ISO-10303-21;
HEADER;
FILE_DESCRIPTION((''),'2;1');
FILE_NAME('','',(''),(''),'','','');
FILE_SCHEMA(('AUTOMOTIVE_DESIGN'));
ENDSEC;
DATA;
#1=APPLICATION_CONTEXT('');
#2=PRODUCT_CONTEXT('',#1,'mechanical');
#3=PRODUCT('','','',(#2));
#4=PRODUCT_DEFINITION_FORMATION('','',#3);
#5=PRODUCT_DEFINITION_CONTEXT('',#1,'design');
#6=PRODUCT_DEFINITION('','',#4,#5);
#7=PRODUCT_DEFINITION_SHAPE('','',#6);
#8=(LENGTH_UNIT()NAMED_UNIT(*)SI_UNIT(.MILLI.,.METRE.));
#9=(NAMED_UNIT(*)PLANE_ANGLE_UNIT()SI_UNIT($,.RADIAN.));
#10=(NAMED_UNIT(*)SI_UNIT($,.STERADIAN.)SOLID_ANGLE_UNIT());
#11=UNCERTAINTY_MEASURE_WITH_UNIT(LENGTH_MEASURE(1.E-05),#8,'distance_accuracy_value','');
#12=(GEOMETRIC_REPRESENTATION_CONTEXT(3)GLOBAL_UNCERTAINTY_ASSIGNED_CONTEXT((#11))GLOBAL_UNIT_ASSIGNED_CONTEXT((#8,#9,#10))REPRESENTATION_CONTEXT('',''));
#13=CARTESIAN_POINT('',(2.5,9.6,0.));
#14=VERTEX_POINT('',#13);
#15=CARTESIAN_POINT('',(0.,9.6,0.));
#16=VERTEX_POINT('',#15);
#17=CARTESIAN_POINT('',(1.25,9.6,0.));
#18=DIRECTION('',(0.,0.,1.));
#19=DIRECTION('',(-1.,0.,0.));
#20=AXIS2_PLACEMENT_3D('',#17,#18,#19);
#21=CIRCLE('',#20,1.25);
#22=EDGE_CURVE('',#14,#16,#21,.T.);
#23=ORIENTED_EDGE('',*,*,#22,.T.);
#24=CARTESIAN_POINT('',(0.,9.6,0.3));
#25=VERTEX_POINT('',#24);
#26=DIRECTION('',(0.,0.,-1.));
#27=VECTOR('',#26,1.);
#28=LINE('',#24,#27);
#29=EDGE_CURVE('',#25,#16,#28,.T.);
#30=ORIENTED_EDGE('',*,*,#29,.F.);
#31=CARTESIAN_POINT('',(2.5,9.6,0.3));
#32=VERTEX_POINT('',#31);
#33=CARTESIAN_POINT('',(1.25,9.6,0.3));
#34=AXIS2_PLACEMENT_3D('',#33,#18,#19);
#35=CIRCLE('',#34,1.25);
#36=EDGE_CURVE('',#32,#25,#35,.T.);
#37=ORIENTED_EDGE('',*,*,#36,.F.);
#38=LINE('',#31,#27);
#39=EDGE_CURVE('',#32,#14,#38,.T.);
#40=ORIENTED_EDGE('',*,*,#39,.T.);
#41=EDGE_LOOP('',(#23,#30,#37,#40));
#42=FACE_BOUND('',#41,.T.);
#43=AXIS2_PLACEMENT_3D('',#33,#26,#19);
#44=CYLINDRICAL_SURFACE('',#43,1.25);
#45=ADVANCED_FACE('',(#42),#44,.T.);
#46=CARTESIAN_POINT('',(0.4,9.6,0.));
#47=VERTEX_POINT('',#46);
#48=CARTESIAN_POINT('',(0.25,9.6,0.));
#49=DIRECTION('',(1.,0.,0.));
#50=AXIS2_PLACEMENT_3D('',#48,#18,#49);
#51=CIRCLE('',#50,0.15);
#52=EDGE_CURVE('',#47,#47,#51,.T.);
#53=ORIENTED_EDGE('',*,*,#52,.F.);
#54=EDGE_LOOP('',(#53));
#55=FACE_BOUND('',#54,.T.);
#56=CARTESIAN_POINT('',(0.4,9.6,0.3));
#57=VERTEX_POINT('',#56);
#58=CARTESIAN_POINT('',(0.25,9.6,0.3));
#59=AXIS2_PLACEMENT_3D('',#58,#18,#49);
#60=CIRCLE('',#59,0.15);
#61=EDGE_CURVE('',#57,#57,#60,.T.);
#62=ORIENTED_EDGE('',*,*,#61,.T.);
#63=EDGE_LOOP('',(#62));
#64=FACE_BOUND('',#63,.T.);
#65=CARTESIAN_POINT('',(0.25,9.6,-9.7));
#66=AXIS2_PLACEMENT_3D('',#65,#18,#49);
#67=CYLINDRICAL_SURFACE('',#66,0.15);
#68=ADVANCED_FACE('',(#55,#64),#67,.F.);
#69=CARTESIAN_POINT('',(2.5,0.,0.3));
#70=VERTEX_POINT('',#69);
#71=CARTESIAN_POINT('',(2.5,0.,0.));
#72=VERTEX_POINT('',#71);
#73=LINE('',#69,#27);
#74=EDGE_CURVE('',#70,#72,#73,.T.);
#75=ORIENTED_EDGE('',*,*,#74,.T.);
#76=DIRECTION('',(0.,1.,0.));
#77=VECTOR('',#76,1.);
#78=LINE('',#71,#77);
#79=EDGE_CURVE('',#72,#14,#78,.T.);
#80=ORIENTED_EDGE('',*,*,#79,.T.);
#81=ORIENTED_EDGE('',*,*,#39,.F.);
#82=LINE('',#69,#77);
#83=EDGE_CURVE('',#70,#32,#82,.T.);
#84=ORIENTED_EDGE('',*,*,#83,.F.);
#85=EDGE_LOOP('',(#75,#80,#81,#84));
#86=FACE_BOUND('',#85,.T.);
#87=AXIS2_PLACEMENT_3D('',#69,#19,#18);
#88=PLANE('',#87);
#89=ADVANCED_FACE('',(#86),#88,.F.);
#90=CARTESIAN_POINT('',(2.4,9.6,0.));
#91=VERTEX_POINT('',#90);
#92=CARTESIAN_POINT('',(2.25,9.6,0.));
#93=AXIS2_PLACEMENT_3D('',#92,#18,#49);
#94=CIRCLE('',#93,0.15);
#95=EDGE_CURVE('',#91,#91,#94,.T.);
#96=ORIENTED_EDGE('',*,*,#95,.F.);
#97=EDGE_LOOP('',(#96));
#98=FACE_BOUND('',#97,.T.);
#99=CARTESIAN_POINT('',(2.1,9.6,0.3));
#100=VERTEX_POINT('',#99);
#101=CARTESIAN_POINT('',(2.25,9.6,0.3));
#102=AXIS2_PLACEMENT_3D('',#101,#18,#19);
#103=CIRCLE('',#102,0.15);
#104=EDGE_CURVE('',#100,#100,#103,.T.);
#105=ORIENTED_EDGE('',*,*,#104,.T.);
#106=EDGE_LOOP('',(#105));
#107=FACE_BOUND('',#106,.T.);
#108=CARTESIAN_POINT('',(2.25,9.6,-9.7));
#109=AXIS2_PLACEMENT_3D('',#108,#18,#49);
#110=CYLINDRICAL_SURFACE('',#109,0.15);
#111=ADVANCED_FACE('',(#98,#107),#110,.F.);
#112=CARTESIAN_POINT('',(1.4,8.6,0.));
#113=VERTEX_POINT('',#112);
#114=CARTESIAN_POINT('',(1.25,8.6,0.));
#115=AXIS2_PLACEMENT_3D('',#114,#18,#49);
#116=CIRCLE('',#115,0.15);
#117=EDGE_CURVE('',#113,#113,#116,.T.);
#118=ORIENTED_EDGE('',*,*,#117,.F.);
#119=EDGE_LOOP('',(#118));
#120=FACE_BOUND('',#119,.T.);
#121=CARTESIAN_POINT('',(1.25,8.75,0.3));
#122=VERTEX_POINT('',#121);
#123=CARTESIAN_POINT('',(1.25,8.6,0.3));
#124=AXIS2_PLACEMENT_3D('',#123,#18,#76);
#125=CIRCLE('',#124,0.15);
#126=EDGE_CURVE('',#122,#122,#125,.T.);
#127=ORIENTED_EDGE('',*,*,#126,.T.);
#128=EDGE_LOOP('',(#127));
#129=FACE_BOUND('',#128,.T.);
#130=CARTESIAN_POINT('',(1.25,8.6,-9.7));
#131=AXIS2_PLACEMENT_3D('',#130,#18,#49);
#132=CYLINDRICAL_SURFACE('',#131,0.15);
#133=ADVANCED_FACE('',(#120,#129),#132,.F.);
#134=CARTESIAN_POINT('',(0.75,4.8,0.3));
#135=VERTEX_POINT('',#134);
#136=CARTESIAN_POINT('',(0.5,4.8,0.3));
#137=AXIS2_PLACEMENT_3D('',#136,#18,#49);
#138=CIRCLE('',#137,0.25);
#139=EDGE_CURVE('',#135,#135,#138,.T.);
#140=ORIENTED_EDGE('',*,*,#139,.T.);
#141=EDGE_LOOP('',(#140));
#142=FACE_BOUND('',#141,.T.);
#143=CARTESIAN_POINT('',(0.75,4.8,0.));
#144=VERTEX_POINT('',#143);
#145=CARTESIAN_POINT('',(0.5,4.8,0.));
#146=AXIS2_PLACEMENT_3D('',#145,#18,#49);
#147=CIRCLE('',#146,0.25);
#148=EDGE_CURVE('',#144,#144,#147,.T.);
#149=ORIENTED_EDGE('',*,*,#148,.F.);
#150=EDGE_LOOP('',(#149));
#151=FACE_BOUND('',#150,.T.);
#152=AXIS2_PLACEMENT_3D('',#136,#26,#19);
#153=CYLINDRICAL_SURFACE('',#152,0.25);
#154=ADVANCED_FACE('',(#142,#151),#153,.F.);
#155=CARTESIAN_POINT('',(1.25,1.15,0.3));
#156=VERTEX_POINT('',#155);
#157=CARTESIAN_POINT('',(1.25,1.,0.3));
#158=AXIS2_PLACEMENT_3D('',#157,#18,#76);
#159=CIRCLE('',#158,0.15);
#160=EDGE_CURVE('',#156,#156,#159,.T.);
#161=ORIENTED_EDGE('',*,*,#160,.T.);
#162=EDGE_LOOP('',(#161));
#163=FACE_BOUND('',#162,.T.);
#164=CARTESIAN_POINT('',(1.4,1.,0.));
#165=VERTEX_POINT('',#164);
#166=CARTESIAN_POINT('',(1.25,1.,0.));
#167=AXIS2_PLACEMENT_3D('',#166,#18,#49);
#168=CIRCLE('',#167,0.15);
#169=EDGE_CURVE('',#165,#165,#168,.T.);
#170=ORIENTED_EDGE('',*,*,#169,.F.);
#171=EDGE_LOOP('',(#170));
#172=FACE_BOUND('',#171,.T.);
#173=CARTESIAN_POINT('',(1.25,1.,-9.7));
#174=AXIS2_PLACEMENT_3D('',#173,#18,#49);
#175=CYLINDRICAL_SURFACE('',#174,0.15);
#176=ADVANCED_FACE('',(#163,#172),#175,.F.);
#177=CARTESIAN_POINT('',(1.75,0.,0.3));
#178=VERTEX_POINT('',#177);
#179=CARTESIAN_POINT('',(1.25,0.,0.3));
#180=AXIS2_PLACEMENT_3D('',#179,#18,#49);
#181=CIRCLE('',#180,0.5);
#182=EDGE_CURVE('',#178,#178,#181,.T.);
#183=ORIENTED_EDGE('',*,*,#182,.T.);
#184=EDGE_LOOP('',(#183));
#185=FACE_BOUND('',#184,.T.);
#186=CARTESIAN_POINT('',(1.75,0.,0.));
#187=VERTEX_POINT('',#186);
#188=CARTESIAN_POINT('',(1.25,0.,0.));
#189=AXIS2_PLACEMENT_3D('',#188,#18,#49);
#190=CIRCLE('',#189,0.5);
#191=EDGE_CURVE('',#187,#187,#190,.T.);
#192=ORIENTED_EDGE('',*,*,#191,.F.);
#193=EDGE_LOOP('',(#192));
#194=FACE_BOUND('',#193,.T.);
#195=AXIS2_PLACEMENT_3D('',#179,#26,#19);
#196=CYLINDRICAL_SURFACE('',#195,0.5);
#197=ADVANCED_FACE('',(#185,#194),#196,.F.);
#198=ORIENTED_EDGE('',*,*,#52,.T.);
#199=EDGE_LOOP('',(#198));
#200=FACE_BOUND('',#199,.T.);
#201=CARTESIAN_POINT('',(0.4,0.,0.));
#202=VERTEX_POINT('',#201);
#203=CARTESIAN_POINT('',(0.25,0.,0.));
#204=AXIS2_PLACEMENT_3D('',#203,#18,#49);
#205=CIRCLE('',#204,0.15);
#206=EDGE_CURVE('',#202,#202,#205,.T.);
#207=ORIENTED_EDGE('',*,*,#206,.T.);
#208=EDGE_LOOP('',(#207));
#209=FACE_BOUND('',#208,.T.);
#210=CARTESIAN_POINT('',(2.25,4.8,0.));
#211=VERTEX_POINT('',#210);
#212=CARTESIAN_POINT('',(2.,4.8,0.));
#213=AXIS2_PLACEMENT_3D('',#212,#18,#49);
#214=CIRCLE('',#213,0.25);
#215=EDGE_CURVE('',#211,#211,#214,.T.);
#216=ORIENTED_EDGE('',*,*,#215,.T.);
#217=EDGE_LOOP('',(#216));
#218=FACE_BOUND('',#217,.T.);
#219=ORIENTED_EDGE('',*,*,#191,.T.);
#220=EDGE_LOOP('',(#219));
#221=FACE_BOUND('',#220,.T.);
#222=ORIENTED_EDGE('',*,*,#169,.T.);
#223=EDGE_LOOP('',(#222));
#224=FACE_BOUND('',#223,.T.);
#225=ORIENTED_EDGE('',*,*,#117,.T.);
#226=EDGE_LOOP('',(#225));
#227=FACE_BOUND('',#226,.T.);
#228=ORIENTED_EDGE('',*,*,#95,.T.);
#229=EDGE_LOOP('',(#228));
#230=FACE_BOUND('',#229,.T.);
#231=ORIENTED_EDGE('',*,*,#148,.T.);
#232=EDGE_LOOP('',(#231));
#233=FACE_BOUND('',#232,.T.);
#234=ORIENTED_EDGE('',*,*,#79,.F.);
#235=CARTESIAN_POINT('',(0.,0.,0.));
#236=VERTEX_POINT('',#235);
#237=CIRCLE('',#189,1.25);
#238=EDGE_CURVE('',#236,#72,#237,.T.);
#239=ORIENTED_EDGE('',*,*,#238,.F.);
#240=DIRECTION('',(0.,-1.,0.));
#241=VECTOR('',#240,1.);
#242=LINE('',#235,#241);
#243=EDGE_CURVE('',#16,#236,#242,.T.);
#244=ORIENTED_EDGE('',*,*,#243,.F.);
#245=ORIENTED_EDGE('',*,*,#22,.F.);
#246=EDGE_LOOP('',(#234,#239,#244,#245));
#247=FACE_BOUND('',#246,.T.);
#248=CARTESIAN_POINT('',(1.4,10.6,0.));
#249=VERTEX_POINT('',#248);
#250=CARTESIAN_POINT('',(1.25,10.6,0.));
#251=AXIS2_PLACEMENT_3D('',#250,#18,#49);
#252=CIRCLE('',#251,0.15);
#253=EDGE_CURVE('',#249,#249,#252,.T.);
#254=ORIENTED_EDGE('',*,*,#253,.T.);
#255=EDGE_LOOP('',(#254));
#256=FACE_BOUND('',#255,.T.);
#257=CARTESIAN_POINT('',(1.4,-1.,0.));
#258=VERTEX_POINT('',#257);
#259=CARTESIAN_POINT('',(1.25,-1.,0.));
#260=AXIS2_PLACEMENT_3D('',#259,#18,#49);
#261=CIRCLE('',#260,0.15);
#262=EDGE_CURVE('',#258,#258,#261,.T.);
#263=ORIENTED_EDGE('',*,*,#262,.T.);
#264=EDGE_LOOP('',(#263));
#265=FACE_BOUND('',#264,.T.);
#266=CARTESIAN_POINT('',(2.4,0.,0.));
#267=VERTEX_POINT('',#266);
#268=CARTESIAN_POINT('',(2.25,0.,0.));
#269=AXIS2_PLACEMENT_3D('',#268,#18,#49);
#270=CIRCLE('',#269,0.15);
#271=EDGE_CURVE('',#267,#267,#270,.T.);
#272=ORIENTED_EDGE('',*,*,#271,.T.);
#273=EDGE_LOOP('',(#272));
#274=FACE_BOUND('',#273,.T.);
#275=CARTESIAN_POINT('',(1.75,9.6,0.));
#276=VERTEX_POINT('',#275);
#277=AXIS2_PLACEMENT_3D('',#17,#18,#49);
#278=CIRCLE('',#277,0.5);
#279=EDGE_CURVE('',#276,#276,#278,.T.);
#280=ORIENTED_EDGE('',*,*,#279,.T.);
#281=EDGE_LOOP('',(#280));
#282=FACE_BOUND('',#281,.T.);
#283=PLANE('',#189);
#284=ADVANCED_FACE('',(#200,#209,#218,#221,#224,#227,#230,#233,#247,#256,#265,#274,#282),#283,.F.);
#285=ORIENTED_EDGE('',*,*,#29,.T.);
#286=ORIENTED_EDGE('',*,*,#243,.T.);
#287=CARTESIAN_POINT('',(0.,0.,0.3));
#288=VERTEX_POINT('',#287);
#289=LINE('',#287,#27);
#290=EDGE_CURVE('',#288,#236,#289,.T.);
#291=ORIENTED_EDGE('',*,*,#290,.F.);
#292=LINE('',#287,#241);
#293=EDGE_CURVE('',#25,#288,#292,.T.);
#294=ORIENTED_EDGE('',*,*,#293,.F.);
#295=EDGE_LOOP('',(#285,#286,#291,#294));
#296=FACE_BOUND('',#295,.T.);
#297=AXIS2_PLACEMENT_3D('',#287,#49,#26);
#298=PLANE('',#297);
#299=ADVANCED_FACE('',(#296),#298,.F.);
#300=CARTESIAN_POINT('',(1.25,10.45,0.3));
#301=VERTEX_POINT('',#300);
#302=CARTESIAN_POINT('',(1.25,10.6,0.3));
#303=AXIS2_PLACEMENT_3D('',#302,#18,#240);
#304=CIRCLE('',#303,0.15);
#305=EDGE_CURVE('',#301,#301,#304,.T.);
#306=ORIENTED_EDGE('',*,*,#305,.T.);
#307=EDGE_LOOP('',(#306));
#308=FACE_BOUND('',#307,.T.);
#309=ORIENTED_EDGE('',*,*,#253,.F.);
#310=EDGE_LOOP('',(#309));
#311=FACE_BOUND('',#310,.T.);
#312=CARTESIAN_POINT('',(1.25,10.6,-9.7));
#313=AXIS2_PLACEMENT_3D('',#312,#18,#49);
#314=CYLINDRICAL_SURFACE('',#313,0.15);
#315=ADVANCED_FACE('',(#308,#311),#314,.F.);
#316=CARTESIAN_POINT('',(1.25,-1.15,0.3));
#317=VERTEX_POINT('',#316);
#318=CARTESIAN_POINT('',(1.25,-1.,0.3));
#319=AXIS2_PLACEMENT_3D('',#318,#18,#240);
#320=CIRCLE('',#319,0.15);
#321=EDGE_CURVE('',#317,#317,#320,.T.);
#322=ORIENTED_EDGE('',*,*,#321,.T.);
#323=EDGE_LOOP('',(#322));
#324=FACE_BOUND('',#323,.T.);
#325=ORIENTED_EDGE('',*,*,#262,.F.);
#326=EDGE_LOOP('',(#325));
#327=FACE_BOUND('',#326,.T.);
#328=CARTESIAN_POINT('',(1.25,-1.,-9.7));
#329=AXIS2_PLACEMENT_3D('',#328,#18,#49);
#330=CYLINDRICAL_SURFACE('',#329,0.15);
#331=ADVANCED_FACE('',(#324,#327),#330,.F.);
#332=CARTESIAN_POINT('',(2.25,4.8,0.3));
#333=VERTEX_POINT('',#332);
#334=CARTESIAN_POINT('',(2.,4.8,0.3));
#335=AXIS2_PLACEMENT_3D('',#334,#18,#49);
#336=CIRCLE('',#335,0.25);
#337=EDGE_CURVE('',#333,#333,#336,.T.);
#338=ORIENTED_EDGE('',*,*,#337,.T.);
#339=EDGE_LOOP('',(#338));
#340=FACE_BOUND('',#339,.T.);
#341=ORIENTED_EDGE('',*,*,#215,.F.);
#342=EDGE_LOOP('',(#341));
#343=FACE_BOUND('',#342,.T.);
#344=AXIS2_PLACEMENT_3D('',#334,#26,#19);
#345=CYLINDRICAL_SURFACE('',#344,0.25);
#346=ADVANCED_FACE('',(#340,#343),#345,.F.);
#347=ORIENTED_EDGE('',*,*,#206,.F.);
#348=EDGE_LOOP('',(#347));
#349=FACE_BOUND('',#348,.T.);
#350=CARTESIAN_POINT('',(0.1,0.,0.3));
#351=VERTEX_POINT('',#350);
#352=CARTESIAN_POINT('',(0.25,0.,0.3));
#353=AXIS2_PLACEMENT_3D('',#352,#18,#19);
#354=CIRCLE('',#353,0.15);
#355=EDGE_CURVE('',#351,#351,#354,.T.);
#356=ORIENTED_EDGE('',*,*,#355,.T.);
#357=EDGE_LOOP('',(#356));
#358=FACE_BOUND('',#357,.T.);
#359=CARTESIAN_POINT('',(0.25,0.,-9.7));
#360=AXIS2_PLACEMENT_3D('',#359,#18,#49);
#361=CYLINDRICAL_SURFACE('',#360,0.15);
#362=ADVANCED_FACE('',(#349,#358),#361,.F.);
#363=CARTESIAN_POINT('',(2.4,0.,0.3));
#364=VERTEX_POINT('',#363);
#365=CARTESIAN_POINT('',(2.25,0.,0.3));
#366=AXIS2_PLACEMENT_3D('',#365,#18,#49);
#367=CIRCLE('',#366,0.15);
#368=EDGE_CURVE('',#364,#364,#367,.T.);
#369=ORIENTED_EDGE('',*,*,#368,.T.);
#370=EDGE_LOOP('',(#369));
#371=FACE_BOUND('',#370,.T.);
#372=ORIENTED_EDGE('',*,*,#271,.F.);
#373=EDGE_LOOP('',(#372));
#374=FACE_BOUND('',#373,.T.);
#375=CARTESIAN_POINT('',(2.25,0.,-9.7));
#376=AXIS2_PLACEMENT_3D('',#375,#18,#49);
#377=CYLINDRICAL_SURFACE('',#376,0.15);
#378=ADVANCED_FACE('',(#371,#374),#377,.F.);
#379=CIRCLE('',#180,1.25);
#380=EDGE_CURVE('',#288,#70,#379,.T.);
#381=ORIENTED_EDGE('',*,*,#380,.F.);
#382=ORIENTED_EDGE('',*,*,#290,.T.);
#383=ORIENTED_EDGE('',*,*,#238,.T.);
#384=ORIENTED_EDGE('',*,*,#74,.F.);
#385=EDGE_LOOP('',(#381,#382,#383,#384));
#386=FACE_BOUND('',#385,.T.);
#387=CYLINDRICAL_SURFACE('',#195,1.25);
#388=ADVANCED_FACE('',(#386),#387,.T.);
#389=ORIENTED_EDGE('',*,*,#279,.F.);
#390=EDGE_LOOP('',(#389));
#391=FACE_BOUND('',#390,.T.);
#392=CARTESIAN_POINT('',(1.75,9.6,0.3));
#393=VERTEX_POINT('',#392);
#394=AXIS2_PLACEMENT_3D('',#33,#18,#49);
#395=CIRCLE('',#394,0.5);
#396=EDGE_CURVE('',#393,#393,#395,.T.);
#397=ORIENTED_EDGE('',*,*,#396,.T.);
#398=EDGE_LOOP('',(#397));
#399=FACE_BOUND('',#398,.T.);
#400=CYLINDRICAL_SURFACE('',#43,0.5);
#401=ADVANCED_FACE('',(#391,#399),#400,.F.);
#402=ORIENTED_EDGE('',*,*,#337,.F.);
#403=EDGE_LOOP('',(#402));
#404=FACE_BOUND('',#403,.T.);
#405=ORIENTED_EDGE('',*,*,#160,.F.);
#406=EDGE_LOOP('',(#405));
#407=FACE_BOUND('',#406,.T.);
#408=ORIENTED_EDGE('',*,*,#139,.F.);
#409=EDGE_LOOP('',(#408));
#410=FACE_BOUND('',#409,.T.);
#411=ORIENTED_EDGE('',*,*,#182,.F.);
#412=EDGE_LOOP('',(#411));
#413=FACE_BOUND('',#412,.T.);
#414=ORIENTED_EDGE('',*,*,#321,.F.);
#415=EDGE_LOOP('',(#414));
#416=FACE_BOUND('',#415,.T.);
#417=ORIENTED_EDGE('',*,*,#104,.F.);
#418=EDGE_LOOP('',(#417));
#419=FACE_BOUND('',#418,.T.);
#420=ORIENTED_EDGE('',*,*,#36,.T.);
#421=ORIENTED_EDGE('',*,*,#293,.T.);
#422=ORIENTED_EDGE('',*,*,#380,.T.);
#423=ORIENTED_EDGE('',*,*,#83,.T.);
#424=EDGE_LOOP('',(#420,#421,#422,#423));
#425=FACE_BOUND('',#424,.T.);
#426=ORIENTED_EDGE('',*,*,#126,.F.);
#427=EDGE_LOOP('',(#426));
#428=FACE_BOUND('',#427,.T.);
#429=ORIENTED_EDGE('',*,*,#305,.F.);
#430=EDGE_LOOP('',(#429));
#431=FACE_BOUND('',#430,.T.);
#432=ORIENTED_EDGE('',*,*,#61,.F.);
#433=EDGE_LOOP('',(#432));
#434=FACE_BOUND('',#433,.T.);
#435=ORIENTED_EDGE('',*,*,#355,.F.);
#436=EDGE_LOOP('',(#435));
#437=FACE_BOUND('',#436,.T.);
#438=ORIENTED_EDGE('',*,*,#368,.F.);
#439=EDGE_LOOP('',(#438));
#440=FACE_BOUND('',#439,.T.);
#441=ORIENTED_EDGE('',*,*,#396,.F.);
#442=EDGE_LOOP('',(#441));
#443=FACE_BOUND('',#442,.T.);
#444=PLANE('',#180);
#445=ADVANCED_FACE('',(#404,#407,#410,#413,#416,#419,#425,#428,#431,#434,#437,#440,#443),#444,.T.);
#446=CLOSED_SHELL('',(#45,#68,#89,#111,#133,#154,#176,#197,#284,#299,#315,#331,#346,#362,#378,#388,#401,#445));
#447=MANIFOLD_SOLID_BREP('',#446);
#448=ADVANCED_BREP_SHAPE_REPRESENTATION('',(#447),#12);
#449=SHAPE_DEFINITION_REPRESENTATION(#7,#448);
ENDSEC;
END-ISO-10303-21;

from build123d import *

# Parameters (mm, degrees)
SKETCH1_R           = 0.5
SKETCH1_R_2         = 0.25
BOSS_EXTRUDE2_DEPTH = 0.3
SKETCH2_R           = 0.15
CUT_EXTRUDE1_DEPTH  = 10
CIRPATTERN2_COUNT   = 4
SKETCH3_R           = 0.15
CUT_EXTRUDE2_DEPTH  = 10
CIRPATTERN3_COUNT   = 4


with BuildPart() as part:
    # Sketch1 → Boss-Extrude2 (new body)
    with BuildSketch(Plane.XY):
        with BuildLine():
            Line((0, 0), (0, 9.6))
            ThreePointArc((0, 9.6), (1.25, 10.85), (2.5, 9.6))
            Line((2.5, 9.6), (2.5, 0))
            ThreePointArc((2.5, 0), (1.25, -1.25), (0, 0))
        make_face()
        with Locations((1.25, 9.6)):
            Circle(SKETCH1_R, mode=Mode.SUBTRACT)
        with Locations((1.25, 0)):
            Circle(SKETCH1_R, mode=Mode.SUBTRACT)
        with Locations((0.5, 4.8)):
            Circle(SKETCH1_R_2, mode=Mode.SUBTRACT)
        with Locations((2, 4.8)):
            Circle(SKETCH1_R_2, mode=Mode.SUBTRACT)
    extrude(amount=BOSS_EXTRUDE2_DEPTH)

    # Sketch2 → Cut-Extrude1 (cut)
    with BuildSketch(Plane.XY.offset(0.3)):
        with Locations((0.25, 9.6)):
            Circle(SKETCH2_R)
    cut_extrude1 = extrude(amount=-CUT_EXTRUDE1_DEPTH, mode=Mode.SUBTRACT)

    # CirPattern2: Cut-Extrude1 ×4 about axis
    cirpattern2_axis = Axis((1.25, 9.6, 0), (0, 0, 1))
    for i in range(1, CIRPATTERN2_COUNT):
        add(cut_extrude1.rotate(cirpattern2_axis, i * 360 / CIRPATTERN2_COUNT), mode=Mode.SUBTRACT)

    # Sketch3 → Cut-Extrude2 (cut)
    with BuildSketch(Plane.XY.offset(0.3)):
        with Locations((2.25, 0)):
            Circle(SKETCH3_R)
    cut_extrude2 = extrude(amount=-CUT_EXTRUDE2_DEPTH, mode=Mode.SUBTRACT)

    # CirPattern3: Cut-Extrude2 ×4 about axis
    cirpattern3_axis = Axis((1.25, 0, 0), (0, 0, 1))
    for i in range(1, CIRPATTERN3_COUNT):
        add(cut_extrude2.rotate(cirpattern3_axis, i * 360 / CIRPATTERN3_COUNT), mode=Mode.SUBTRACT)


solid = part.part
